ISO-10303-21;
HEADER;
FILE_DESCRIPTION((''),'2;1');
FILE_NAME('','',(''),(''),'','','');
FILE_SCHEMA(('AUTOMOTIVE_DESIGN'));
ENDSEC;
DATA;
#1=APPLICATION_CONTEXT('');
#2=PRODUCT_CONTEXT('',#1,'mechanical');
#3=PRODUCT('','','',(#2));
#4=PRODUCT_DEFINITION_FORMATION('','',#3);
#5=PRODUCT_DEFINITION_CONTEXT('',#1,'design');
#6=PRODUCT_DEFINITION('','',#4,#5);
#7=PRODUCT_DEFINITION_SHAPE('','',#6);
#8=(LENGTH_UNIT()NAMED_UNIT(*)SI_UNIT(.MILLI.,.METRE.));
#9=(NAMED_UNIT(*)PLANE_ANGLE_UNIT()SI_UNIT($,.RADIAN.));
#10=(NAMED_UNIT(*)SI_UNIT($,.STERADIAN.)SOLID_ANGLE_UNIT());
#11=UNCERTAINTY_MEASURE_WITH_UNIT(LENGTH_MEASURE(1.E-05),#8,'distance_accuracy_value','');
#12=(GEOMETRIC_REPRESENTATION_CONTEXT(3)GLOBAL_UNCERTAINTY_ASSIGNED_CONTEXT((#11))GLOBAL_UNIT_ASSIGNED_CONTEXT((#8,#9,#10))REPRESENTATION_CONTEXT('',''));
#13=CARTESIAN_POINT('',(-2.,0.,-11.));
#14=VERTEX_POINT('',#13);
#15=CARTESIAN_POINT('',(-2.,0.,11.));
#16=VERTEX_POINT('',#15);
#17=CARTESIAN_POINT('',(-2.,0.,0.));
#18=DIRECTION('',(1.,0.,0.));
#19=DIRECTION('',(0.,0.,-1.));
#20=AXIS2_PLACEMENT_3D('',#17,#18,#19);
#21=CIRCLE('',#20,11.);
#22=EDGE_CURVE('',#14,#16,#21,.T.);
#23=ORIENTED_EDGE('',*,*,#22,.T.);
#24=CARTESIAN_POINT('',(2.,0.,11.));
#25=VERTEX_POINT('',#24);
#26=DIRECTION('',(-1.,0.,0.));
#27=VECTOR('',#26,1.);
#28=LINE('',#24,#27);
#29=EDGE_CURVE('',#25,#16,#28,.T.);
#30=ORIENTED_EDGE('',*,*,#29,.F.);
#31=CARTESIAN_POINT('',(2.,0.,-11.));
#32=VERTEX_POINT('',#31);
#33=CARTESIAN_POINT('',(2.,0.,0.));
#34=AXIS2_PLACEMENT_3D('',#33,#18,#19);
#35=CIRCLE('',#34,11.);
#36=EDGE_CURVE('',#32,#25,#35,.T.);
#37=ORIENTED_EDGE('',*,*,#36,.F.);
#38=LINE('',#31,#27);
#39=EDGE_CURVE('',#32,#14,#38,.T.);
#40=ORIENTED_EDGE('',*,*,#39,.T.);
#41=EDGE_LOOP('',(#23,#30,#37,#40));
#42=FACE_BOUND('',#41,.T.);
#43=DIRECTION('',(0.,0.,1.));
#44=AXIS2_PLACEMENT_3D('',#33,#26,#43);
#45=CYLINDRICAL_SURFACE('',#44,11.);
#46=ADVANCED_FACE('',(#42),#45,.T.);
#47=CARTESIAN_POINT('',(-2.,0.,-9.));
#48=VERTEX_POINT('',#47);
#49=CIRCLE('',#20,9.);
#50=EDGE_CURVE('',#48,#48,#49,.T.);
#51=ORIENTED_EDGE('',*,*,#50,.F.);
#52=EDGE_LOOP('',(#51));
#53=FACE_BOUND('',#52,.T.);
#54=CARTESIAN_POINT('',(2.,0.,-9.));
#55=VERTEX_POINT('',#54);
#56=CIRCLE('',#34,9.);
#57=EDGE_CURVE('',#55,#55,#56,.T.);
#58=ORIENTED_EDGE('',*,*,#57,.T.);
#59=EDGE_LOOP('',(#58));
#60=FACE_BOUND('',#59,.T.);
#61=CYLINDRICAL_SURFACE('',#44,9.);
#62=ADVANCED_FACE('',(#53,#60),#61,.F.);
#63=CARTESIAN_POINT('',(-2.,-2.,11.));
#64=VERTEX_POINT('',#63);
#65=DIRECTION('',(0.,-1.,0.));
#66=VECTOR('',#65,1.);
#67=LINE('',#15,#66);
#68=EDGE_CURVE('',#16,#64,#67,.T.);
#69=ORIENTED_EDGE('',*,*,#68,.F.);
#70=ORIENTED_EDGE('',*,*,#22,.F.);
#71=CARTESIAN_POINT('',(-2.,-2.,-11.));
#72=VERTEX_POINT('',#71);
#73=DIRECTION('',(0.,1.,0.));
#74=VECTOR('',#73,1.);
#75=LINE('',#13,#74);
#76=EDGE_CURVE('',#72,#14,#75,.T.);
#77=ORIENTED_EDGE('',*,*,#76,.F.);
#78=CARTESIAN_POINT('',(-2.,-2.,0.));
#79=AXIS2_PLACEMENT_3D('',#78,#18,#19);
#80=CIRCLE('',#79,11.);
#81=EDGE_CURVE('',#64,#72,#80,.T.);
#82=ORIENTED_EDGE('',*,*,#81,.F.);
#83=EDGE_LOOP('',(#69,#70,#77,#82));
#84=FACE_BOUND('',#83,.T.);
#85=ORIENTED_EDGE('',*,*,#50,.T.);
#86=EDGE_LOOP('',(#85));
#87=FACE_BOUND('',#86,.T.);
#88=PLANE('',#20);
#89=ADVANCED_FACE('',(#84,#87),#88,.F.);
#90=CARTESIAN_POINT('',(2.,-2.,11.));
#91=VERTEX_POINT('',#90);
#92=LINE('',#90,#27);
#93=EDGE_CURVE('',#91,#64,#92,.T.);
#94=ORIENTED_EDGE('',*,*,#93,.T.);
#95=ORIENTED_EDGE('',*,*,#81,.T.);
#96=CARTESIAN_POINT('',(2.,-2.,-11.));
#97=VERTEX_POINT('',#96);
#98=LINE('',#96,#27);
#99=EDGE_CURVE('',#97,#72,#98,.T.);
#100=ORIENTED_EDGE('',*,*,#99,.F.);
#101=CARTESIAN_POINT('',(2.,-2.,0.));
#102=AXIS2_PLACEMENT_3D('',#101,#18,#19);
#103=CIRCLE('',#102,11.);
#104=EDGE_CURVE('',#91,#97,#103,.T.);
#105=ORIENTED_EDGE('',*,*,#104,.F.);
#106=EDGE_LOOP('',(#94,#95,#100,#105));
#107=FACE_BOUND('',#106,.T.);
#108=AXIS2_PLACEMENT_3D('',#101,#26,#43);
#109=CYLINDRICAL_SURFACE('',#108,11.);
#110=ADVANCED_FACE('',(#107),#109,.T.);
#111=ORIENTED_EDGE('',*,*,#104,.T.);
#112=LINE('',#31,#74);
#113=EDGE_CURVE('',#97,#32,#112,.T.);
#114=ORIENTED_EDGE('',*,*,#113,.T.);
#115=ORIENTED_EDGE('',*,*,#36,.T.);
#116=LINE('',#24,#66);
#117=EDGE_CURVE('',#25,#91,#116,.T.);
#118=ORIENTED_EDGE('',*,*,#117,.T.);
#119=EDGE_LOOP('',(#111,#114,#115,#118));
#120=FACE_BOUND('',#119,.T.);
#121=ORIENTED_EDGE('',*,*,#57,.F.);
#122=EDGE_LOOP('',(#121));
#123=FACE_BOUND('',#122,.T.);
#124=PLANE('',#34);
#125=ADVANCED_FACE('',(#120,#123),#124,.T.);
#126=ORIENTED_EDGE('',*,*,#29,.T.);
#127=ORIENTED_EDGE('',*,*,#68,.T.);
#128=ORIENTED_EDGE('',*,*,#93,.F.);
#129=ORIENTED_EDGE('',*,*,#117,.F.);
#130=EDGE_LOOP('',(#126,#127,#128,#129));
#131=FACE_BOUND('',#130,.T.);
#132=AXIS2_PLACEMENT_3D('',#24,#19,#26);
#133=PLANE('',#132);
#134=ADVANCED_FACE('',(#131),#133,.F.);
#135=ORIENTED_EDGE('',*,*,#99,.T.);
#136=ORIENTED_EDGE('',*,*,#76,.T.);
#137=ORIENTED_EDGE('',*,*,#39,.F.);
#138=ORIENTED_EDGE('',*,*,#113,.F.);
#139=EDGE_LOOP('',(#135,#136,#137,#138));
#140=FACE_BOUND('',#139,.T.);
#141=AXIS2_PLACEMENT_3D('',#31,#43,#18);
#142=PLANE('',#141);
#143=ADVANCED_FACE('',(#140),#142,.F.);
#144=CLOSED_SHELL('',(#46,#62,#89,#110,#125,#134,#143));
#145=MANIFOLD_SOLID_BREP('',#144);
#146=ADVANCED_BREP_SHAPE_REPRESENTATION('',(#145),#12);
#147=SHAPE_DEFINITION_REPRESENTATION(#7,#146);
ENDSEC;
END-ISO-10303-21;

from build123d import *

# Parameters (mm, degrees)
SCHIZZO1_R                   = 9
ESTRUSIONE_ESTRUSIONE1_DEPTH = 2


with BuildPart() as part:
    # Schizzo1 → Estrusione-Estrusione1 (new, symmetric)
    with BuildSketch(Plane(origin=(0, 0, 0), x_dir=(0, 0, -1), z_dir=(1, 0, 0))):
        with BuildLine():
            Line((-11, 0), (-11, -2))
            ThreePointArc((-11, -2), (0, -13), (11, -2))
            Line((11, -2), (11, 0))
            ThreePointArc((11, 0), (0, 11), (-11, 0))
        make_face()
        Circle(SCHIZZO1_R, mode=Mode.SUBTRACT)
    extrude(amount=ESTRUSIONE_ESTRUSIONE1_DEPTH, both=True)


solid = part.part
